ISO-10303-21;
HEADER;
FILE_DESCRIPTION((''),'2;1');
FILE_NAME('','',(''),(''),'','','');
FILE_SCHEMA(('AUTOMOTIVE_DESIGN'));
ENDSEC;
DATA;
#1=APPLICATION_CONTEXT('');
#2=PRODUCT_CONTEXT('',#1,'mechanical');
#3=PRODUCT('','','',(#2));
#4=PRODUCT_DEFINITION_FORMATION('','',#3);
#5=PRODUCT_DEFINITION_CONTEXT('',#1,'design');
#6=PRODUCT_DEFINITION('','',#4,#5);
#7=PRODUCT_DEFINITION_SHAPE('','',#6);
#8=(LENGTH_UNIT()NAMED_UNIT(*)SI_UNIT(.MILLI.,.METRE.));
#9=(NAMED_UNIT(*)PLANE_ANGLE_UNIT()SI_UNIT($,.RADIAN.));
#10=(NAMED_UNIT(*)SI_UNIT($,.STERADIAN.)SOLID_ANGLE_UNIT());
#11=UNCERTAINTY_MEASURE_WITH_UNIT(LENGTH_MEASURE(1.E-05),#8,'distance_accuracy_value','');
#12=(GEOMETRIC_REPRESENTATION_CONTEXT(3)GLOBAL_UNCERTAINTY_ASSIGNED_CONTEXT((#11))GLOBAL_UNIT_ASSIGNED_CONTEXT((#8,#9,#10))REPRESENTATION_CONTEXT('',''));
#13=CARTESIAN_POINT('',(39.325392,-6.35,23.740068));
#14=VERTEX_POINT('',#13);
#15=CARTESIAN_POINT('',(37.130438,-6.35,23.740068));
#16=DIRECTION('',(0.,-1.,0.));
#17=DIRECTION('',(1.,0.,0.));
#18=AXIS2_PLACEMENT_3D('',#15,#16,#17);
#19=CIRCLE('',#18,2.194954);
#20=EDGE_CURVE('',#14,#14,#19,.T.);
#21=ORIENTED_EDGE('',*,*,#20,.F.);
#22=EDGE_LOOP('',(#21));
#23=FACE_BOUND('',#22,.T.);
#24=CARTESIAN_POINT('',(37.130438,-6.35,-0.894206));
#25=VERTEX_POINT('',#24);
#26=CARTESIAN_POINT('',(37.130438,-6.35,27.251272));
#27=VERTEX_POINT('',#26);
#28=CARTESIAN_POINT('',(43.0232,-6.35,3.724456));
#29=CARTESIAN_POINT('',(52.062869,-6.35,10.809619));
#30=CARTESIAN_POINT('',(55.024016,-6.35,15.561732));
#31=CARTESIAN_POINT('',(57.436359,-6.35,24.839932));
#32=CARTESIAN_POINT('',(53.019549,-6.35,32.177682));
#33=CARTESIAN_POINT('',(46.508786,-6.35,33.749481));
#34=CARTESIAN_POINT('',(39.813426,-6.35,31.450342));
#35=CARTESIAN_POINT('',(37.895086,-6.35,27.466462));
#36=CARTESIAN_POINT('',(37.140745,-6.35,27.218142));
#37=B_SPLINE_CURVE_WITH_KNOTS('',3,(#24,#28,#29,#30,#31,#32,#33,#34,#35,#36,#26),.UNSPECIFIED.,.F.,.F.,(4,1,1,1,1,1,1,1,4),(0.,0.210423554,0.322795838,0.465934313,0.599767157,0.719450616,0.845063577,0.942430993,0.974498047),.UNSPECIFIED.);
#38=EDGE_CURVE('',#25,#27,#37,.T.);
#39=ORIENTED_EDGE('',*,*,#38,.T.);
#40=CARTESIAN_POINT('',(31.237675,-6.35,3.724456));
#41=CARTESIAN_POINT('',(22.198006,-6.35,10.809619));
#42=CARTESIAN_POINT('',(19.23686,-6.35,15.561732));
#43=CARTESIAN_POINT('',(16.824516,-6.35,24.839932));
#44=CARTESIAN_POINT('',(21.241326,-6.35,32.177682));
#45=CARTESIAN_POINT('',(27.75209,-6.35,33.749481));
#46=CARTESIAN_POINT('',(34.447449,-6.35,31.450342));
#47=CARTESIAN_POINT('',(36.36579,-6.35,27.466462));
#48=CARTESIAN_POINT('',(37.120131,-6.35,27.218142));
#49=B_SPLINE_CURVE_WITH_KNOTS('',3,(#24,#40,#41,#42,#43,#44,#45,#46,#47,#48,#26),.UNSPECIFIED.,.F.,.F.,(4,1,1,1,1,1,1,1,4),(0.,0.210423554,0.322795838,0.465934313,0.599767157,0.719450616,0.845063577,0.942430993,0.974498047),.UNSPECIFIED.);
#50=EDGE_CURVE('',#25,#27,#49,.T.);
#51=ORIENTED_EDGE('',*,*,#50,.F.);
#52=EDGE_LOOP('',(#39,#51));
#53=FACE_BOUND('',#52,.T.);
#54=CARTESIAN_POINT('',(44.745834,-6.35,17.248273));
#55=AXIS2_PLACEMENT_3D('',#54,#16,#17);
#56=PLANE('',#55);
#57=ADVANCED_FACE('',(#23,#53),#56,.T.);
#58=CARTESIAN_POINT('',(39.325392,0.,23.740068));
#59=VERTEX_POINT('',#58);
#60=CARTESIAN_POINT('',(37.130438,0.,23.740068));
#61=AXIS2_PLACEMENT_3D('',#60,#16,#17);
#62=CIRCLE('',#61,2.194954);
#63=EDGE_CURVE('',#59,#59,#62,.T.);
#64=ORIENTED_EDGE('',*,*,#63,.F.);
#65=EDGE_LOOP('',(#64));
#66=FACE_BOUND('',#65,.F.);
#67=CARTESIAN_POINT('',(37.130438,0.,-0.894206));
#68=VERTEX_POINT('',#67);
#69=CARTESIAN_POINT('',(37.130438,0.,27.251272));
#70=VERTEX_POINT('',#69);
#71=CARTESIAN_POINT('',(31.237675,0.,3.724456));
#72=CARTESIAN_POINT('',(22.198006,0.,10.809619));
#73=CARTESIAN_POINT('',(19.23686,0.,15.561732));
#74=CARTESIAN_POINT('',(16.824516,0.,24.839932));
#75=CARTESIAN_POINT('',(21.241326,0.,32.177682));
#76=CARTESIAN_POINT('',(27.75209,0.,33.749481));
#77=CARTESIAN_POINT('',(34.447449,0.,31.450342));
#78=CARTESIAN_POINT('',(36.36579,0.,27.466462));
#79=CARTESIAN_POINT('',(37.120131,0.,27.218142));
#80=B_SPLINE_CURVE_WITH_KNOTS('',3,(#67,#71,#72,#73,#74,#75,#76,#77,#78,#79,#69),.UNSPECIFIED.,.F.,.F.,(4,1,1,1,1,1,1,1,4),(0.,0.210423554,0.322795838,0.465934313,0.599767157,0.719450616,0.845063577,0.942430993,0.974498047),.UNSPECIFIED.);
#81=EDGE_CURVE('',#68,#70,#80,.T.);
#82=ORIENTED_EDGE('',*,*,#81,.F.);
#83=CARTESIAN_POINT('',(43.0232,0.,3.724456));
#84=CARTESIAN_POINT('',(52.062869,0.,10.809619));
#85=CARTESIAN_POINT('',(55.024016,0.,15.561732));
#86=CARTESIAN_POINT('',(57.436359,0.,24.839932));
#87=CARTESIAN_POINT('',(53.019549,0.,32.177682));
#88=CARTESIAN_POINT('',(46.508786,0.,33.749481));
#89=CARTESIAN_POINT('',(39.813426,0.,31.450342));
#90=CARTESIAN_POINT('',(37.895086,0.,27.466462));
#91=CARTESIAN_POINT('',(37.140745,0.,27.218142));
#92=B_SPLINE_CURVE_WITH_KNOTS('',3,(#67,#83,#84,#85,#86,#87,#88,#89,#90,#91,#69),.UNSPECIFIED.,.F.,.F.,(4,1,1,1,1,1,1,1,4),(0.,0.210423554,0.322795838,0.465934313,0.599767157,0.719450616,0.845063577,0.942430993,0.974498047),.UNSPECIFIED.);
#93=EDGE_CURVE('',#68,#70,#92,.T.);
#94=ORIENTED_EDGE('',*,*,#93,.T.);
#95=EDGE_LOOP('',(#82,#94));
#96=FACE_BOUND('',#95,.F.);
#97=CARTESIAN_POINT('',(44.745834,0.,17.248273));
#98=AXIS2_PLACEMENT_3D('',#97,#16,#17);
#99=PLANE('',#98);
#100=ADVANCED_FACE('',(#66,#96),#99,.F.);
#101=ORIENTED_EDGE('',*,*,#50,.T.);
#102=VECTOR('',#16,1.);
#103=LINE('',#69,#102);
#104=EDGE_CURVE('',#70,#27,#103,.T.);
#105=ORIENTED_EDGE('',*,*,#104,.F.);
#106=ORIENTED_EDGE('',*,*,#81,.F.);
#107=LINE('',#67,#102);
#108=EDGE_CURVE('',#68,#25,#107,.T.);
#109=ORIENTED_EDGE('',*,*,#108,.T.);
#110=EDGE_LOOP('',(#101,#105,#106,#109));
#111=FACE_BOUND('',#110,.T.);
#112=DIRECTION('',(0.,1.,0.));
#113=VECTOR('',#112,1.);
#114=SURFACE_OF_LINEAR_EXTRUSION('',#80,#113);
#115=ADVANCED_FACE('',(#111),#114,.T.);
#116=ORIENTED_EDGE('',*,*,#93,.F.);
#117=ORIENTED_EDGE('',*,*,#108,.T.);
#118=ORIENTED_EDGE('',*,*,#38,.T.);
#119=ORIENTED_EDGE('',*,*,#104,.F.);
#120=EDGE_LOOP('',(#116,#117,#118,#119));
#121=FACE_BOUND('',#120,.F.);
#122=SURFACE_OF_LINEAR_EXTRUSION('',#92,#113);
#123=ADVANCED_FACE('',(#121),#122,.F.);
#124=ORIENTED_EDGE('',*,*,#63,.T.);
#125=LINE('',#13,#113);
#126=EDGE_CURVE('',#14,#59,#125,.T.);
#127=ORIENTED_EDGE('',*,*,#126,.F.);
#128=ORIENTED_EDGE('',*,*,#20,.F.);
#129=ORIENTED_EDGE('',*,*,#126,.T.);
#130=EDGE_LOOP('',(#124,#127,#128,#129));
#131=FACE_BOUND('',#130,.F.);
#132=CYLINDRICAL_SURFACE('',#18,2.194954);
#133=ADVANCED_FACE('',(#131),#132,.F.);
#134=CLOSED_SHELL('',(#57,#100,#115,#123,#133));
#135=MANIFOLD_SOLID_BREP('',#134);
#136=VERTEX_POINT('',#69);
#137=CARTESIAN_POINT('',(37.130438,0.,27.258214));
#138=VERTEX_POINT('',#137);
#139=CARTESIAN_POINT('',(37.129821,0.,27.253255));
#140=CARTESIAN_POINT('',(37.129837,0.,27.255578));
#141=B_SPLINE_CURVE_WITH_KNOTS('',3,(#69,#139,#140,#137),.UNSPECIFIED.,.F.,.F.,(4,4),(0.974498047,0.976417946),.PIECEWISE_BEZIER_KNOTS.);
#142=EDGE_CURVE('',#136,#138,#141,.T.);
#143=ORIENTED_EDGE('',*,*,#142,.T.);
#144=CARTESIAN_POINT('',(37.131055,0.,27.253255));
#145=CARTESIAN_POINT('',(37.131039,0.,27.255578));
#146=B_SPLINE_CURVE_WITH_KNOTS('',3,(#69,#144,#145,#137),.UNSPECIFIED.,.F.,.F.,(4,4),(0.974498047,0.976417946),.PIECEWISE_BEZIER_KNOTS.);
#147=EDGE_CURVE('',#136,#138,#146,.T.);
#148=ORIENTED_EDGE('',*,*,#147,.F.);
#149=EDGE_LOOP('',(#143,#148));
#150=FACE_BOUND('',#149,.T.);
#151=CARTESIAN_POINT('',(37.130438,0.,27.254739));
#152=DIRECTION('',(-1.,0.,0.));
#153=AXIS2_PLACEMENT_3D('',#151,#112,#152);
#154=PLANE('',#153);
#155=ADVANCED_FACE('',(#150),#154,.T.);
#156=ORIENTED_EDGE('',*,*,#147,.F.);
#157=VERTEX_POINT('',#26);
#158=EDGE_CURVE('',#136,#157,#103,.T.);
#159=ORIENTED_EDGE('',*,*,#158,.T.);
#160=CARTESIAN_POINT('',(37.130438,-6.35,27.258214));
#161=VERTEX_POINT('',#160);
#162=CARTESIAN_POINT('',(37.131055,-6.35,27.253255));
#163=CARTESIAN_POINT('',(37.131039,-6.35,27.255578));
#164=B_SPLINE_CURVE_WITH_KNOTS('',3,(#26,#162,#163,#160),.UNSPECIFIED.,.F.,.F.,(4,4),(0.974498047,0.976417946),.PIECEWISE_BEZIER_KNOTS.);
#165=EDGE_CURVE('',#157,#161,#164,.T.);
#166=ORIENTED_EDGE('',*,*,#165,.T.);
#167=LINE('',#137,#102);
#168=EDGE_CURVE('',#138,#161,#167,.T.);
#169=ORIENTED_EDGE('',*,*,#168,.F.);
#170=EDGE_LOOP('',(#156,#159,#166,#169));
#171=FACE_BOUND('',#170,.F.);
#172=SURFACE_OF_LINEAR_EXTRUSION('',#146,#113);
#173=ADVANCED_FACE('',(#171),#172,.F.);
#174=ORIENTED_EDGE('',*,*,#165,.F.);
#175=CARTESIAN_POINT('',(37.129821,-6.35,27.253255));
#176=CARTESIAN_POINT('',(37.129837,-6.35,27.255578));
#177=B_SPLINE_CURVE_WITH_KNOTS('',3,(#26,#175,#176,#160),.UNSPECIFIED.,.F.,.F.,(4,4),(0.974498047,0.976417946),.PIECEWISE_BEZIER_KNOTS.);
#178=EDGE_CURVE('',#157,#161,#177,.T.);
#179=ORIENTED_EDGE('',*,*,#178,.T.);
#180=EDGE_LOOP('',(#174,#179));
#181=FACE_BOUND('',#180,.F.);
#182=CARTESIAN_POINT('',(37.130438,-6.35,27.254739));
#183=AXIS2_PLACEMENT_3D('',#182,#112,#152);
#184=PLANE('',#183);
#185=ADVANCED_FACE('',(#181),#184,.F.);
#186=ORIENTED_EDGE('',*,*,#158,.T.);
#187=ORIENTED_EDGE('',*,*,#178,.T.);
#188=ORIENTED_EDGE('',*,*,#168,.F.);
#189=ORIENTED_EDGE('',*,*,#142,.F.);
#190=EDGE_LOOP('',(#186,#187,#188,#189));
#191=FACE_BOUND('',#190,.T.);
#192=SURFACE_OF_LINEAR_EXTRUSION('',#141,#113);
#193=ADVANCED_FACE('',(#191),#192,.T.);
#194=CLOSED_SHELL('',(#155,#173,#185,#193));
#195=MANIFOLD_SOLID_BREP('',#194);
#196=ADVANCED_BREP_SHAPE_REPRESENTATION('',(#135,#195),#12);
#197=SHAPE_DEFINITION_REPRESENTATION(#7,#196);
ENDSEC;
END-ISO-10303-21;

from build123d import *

# Parameters (mm, degrees)
F1_DEPTH = 6.35
F2_R     = 2.1949537
F3_DEPTH = 25.4


with BuildPart() as f1:
    # F0 (on Front) → F1 (new body)
    with BuildSketch(Plane.XZ):
        with BuildLine():
            Line((37.1304377913, 27.251271531), (37.1304377913, -0.8942059414))
            add(Edge.make_bspline(
                [(37.1304377913, -0.8942059414), (43.0232004812, 3.7244564333), (52.0628694243, 10.8096185251), (55.024015953, 15.5617322774), (57.4363591779, 24.8399316722), (53.0195492472, 32.177682128), (46.5087860461, 33.7494806161), (39.813426383, 31.4503423497), (37.8950857439, 27.4664616169), (37.1407445386, 27.2181418958), (37.1304377913, 27.251271531)],
                knots=[0, 0, 0, 0, 0.2104235543, 0.3227958377, 0.4659343135, 0.5997671573, 0.719450616, 0.8450635773, 0.9424309929, 0.9744980466, 0.9744980466, 0.9744980466, 0.9744980466], degree=3))
        make_face()
        with BuildLine():
            add(Edge.make_bspline(
                [(37.1304377913, -0.8942059414), (31.2376751015, 3.7244564333), (22.1980061584, 10.8096185251), (19.2368596296, 15.5617322774), (16.8245164048, 24.8399316722), (21.2413263355, 32.177682128), (27.7520895366, 33.7494806161), (34.4474491997, 31.4503423497), (36.3657898388, 27.4664616169), (37.1201310441, 27.2181418958), (37.1304377913, 27.251271531)],
                knots=[0, 0, 0, 0, 0.2104235543, 0.3227958377, 0.4659343135, 0.5997671573, 0.719450616, 0.8450635773, 0.9424309929, 0.9744980466, 0.9744980466, 0.9744980466, 0.9744980466], degree=3))
            Line((37.1304377913, -0.8942059414), (37.1304377913, 27.251271531))
        make_face()
    extrude(amount=F1_DEPTH)

    # F2 (on face) → F3 (cut)
    with BuildSketch(Plane.XZ.offset(6.35)):
        with Locations((37.1304378469, 23.7400675687)):
            Circle(F2_R)
    extrude(amount=-F3_DEPTH, mode=Mode.SUBTRACT)


with BuildPart() as f1b:
    # F0 (on Front) → F1, piece 2 (new body)
    with BuildSketch(Plane.XZ):
        with BuildLine():
            add(Edge.make_bspline(
                [(37.1304377913, 27.251271531), (37.129820712, 27.2532550485), (37.1298365961, 27.2555778475), (37.1304377913, 27.2582143856)],
                knots=[0.9744980466, 0.9744980466, 0.9744980466, 0.9744980466, 0.9764179459, 0.9764179459, 0.9764179459, 0.9764179459], degree=3))
            add(Edge.make_bspline(
                [(37.1304377913, 27.251271531), (37.1310548707, 27.2532550485), (37.1310389866, 27.2555778475), (37.1304377913, 27.2582143856)],
                knots=[0.9744980466, 0.9744980466, 0.9744980466, 0.9744980466, 0.9764179459, 0.9764179459, 0.9764179459, 0.9764179459], degree=3))
        make_face()
    extrude(amount=F1_DEPTH)


solid = Compound([f1.part, f1b.part])
